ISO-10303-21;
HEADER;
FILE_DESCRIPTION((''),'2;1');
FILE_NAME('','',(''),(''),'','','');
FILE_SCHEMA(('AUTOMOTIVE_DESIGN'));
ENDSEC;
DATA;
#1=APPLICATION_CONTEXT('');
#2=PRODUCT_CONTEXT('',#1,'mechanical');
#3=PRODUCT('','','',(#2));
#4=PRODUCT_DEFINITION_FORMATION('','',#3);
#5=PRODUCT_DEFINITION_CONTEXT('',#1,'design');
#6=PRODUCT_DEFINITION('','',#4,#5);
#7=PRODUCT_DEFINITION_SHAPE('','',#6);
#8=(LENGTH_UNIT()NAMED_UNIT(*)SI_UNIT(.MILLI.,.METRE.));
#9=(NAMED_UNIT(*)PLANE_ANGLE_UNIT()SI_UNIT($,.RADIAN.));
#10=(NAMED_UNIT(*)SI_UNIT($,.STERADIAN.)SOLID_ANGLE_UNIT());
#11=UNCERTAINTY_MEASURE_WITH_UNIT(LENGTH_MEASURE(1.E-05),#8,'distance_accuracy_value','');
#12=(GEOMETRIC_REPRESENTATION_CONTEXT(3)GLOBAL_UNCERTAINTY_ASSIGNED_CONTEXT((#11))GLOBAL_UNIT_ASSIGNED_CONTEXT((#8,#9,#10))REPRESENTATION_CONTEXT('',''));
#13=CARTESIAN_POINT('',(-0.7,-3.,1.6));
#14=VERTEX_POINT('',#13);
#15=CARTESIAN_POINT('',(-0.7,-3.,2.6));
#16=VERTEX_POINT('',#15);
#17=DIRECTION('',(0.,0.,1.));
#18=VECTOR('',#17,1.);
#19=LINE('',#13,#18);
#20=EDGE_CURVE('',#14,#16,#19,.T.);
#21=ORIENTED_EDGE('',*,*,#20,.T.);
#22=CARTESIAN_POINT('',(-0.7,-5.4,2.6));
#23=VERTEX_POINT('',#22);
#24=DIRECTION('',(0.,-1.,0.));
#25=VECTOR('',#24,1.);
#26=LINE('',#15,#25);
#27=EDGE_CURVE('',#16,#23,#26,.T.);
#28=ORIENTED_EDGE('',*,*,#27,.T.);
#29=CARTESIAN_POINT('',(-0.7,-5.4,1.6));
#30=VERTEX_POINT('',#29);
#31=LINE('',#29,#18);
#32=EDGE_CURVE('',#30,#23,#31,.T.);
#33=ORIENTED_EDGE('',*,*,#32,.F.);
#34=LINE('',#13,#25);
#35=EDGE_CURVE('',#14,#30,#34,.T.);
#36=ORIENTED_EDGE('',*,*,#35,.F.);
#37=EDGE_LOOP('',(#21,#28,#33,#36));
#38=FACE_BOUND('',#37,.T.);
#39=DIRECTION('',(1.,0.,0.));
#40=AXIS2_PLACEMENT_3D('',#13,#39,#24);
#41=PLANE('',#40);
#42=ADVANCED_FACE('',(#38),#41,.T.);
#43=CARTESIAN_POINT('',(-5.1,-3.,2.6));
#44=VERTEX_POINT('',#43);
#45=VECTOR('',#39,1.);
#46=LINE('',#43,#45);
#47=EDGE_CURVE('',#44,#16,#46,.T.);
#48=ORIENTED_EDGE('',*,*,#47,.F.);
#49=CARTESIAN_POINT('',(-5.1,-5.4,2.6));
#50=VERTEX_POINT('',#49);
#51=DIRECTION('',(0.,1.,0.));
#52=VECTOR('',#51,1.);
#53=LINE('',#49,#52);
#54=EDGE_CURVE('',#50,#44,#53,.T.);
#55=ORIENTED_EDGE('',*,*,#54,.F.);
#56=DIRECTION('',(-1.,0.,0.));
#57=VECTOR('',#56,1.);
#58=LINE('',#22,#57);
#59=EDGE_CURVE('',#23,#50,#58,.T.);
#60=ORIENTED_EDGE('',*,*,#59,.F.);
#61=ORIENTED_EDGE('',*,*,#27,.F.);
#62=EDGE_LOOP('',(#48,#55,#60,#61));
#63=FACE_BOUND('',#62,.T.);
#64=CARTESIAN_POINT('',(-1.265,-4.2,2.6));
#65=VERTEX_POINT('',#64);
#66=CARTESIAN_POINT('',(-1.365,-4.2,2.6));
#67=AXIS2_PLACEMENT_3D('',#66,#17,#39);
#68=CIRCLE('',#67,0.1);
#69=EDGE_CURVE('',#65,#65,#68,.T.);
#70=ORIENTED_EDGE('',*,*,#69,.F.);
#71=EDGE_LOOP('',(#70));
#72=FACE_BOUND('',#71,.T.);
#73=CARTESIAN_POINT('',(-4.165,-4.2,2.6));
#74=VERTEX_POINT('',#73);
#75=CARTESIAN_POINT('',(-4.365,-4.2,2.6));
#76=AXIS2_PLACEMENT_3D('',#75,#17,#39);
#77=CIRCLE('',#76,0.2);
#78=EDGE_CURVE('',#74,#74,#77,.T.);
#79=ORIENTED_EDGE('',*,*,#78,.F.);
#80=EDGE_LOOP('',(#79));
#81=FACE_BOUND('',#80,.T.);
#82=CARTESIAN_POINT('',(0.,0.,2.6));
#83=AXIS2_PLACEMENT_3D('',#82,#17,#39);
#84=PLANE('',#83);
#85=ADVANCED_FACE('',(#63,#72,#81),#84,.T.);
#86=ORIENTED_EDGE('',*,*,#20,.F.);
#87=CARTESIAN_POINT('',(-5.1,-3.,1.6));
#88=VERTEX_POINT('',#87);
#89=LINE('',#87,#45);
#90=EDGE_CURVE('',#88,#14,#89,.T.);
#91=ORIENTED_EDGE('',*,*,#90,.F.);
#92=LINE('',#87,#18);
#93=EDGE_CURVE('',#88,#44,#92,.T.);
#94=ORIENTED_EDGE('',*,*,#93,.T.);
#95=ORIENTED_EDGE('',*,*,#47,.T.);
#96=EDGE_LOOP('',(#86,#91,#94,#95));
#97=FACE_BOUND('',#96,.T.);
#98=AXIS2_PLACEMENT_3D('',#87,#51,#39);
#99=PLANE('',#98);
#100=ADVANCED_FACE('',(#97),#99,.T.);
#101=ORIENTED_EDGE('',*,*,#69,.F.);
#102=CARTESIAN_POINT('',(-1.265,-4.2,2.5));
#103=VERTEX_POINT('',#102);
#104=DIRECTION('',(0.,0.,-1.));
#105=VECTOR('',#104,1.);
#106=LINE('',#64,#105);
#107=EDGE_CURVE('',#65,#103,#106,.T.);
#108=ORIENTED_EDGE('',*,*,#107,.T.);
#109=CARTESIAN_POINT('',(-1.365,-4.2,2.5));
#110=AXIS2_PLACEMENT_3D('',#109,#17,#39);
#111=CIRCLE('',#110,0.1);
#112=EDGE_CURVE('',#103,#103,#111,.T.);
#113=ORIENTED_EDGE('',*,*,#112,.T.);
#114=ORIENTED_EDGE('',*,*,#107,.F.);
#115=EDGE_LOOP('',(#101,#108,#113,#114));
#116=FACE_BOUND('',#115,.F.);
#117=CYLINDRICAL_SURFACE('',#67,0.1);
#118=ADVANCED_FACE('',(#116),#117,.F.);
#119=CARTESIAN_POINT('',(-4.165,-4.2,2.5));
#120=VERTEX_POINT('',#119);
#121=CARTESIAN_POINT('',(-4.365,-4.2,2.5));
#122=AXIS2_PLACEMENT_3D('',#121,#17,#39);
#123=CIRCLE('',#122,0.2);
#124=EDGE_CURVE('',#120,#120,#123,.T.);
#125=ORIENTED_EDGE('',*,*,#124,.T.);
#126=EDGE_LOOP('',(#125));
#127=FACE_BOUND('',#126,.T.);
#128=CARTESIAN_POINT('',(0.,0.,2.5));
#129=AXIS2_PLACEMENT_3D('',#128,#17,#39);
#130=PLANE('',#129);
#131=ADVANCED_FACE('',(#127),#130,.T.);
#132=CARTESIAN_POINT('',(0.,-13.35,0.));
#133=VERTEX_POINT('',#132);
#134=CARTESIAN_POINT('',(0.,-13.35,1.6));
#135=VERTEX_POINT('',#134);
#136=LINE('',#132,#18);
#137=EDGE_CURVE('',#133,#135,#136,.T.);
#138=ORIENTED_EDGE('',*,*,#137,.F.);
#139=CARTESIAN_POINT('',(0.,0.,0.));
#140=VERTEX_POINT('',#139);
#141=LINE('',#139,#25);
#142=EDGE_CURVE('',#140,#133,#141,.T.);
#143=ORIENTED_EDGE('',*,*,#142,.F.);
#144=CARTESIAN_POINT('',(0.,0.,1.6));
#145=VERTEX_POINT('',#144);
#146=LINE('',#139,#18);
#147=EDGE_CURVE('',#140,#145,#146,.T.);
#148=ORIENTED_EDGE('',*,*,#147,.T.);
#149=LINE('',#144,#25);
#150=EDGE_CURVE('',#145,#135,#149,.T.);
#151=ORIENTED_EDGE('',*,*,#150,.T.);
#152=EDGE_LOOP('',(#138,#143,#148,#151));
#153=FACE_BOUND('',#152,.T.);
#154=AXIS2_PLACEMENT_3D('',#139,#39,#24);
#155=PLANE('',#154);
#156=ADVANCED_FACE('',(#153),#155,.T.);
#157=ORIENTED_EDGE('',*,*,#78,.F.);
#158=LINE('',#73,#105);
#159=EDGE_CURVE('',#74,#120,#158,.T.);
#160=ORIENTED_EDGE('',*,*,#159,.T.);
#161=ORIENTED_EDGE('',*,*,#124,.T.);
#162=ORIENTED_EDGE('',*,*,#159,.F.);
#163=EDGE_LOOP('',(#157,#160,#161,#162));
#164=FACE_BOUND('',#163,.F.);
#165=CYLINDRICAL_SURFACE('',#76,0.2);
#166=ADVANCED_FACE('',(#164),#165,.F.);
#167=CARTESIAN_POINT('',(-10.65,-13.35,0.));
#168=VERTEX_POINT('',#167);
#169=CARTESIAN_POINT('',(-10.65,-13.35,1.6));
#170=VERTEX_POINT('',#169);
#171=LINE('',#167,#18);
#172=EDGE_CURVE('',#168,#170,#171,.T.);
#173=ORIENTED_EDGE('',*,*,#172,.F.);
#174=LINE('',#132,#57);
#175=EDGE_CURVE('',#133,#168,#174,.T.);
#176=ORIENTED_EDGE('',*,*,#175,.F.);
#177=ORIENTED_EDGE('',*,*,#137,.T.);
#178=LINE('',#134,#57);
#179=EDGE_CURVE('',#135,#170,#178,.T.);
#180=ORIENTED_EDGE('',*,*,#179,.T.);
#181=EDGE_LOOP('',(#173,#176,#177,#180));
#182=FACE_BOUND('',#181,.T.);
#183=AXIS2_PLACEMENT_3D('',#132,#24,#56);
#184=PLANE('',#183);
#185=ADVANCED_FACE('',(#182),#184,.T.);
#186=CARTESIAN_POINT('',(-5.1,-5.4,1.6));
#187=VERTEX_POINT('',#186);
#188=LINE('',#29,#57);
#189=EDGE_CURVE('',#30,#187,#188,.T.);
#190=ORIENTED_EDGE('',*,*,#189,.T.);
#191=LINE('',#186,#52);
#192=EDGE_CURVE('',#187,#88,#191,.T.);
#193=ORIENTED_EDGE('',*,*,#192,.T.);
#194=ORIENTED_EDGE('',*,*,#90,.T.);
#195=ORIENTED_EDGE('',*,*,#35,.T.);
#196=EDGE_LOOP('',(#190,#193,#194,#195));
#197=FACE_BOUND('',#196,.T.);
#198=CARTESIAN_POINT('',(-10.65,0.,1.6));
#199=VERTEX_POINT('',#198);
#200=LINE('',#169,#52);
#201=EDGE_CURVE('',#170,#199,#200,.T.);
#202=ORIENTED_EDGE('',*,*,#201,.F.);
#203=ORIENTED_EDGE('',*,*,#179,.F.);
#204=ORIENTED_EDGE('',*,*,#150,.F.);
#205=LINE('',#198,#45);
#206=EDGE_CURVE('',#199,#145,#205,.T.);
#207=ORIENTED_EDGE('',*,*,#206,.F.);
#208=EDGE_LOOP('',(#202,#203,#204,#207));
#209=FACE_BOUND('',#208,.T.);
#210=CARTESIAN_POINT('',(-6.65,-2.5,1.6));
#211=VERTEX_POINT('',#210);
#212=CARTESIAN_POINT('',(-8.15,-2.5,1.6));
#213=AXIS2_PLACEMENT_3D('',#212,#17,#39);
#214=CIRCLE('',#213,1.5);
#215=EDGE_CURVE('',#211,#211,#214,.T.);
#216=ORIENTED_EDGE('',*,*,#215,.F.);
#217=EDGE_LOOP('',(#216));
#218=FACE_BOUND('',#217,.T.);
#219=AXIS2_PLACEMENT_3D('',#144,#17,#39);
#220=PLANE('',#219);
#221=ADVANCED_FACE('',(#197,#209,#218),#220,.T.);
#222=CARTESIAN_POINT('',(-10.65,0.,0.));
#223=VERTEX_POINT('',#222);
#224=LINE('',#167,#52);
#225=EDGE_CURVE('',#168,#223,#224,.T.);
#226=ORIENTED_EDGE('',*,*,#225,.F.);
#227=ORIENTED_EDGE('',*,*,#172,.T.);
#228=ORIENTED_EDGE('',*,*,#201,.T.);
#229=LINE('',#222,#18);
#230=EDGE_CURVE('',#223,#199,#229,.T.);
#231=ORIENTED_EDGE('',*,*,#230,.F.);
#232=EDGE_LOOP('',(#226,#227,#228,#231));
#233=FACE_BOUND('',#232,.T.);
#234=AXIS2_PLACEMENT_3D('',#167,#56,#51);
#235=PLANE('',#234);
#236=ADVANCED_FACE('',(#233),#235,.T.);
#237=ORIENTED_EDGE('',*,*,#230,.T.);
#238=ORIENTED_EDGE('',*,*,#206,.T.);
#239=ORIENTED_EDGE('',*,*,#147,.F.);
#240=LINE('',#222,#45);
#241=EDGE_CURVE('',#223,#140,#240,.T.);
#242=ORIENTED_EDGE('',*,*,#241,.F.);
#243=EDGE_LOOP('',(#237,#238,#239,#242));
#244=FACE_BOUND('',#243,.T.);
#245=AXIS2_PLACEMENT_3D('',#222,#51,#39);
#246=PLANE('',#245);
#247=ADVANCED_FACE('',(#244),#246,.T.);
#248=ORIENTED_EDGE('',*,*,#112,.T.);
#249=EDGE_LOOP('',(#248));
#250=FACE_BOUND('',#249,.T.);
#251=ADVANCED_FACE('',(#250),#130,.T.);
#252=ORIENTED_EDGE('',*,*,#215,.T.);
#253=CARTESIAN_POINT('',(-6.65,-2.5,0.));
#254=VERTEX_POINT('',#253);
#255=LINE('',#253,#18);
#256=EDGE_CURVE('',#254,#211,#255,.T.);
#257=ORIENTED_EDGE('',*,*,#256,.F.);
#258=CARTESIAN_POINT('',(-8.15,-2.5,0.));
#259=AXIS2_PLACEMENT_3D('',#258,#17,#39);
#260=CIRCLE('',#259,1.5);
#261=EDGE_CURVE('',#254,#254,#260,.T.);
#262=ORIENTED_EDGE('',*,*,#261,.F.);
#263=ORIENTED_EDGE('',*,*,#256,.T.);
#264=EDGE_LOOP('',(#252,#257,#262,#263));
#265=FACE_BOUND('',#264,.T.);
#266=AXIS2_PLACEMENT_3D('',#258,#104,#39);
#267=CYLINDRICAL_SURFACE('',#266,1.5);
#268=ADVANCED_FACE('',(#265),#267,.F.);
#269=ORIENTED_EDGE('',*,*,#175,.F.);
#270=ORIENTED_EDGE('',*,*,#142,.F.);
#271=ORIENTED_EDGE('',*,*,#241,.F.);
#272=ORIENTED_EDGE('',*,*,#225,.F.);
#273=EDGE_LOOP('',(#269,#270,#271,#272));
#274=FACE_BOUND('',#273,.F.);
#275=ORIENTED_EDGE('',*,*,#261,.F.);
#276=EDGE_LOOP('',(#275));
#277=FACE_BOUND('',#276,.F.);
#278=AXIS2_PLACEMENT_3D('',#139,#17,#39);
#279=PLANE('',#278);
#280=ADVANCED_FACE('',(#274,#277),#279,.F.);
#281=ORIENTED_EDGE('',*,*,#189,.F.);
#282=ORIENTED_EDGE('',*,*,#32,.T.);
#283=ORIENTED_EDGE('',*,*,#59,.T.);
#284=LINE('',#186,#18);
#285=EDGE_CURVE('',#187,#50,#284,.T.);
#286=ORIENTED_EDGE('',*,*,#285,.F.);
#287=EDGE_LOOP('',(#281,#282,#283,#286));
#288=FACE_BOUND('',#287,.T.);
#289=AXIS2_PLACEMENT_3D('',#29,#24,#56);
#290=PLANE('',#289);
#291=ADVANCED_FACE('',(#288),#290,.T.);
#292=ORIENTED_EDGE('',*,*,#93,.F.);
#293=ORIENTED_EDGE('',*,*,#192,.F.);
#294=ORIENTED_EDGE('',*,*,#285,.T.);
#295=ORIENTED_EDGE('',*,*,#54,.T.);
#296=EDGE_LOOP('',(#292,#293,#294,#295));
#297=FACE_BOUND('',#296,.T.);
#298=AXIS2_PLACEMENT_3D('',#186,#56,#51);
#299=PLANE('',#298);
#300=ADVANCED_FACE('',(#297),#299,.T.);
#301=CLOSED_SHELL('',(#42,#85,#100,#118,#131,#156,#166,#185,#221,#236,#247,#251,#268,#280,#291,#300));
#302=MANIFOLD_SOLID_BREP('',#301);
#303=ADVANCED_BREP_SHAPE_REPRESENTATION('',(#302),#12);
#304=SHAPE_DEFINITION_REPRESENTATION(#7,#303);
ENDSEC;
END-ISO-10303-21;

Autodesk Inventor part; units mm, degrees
ref_plane "YZ Plane" through (0, 0, 0) normal (1, 0, 0) x (0, 1, 0)
ref_plane "XZ Plane" through (0, 0, 0) normal (0, 1, 0) x (-1, 0, 0)
ref_plane "XY Plane" through (0, 0, 0) normal (0, 0, 1) x (1, 0, 0)
sketch "Náčrt1" plane through (0, 0, 0) normal (0, 0, 1) x (1, 0, 0)
  line L0 (-10.65, 0) -> (0, 0)
  line L1 (0, 0) -> (0, -13.35)
  line L2 (0, -13.35) -> (-10.65, -13.35)
  line L3 (-10.65, -13.35) -> (-10.65, 0)
  circle A0 centre (-8.15, -2.5) radius 1.5
  dimension "d0" = 10.65
  dimension "d1" = 13.35
  dimension "d2" = 3
  dimension "d3" = 1
  dimension "d4" = 1
extrude "Vysunutí1" add sketch "Náčrt1" along normal blind 1.6
sketch "Náčrt2" plane through (0, 0, 1.6) normal (0, 0, 1) x (1, 0, 0)
  line L0 (-5.1, -3) -> (-0.7, -3)
  line L1 (-0.7, -3) -> (-0.7, -5.4)
  line L2 (-0.7, -5.4) -> (-5.1, -5.4)
  line L3 (-5.1, -5.4) -> (-5.1, -3)
  point P0 (0, 0)
  dimension "d7" = 2.4
  dimension "d8" = 4.4
  dimension "d9" = 3
  dimension "d10" = 0.7
extrude "Vysunutí2" add sketch "Náčrt2" along normal blind 1
sketch "Náčrt3" plane through (0, 0, 2.6) normal (0, 0, 1) x (1, 0, 0)
  circle A0 centre (-4.365, -4.2) radius 0.2
  circle A1 centre (-1.365, -4.2) radius 0.1
  line L0 (-5.1, -3) -> (-5.1, -5.4) projected
  line L1 (-0.7, -5.4) -> (-0.7, -3) projected
  point P0 (0, 0)
  point P1 (-5.1, -4.2)
  point P2 (-0.7, -4.2)
  dimension "d13" = 0.4
  dimension "d14" = 0.2
  dimension "d16" = 0.665
  dimension "d17" = 3
extrude "Vysunutí3" cut sketch "Náčrt3" against normal blind 0.1
properties part number "senzor"
